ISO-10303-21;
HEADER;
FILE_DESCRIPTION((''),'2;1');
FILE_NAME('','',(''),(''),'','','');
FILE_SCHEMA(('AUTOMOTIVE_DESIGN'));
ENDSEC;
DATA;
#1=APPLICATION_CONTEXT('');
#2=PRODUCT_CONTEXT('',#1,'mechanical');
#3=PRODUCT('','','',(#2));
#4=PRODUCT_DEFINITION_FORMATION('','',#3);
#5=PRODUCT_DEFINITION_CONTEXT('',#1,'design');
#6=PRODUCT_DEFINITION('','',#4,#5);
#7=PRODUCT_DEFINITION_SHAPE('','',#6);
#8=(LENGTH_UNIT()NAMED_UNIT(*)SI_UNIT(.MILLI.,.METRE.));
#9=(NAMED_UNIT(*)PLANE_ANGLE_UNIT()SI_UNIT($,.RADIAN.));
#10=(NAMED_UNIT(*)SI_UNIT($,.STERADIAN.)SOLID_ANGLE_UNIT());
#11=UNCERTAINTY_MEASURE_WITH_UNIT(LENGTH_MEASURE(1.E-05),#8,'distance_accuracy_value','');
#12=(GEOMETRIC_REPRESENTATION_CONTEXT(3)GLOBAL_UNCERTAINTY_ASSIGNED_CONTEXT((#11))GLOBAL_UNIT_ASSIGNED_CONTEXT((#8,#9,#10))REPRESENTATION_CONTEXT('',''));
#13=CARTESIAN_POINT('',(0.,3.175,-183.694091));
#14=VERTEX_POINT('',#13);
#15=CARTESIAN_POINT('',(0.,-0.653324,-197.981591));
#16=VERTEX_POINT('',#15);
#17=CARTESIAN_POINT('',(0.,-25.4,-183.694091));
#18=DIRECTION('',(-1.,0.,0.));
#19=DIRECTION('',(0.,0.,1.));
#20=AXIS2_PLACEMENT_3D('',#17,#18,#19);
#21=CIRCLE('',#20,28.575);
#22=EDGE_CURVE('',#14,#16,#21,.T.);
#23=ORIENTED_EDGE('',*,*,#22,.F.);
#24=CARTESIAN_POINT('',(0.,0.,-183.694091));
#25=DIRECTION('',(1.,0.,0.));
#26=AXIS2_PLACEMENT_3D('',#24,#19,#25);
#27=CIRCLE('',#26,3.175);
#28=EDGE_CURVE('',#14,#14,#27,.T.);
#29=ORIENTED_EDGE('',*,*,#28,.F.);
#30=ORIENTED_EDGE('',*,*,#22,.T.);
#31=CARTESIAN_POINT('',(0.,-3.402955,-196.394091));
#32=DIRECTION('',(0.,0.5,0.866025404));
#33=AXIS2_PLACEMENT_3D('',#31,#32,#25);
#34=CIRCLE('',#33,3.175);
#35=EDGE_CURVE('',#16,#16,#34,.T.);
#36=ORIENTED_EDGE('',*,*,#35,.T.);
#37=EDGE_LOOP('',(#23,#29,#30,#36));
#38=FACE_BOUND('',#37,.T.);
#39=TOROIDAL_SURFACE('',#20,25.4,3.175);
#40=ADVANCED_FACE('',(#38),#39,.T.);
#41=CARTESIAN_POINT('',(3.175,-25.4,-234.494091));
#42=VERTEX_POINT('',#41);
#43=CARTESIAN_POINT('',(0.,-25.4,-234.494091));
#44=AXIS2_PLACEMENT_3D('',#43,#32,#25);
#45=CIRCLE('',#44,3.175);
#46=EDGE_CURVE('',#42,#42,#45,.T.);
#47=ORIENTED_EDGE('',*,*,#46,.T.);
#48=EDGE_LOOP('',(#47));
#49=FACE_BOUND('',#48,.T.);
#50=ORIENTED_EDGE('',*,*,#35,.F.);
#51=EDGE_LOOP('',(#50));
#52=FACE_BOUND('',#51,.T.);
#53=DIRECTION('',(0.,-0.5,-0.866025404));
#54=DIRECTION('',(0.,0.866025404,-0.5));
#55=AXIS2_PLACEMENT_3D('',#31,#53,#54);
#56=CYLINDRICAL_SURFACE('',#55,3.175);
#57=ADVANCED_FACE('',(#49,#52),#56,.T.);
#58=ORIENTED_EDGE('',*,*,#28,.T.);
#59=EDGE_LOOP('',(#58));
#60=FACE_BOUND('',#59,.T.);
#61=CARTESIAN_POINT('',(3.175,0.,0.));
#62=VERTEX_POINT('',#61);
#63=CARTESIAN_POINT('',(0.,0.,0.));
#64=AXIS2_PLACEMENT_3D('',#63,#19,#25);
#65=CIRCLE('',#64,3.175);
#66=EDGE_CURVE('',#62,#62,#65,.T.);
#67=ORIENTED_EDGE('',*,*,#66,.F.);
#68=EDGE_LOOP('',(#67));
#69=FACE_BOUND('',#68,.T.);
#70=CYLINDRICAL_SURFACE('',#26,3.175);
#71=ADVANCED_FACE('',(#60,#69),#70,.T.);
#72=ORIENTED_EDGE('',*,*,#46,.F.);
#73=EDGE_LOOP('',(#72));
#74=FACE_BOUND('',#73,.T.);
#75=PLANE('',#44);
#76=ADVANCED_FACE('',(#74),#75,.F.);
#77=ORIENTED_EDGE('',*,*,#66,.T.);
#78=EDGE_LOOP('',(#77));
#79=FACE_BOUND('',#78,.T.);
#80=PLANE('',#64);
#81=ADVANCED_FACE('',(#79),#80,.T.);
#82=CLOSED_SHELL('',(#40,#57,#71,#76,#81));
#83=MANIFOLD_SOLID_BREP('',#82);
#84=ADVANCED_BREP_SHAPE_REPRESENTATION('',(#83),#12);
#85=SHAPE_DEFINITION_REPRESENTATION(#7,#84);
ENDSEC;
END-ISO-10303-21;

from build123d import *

# Parameters (mm, degrees)
SKETCH2_R = 3.175


with BuildPart() as part:
    # Sweep1: sweep along a path in Sketch4
    with BuildLine(Plane(origin=(0, 0, 0), x_dir=(0, 0, -1), z_dir=(1, 0, 0))) as sweep1_path:
        Line((0, 0), (183.694090512, 0))
        ThreePointArc((183.694090512, 0), (190.268094258, -0.865484012), (196.394090512, -3.402954744))
        Line((196.394090512, -3.402954744), (234.494090512, -25.4))
    # Sketch2 → Sweep1 (sweep)
    with BuildSketch(Plane.XY):
        Circle(SKETCH2_R)
    sweep(path=sweep1_path.line)


solid = part.part
